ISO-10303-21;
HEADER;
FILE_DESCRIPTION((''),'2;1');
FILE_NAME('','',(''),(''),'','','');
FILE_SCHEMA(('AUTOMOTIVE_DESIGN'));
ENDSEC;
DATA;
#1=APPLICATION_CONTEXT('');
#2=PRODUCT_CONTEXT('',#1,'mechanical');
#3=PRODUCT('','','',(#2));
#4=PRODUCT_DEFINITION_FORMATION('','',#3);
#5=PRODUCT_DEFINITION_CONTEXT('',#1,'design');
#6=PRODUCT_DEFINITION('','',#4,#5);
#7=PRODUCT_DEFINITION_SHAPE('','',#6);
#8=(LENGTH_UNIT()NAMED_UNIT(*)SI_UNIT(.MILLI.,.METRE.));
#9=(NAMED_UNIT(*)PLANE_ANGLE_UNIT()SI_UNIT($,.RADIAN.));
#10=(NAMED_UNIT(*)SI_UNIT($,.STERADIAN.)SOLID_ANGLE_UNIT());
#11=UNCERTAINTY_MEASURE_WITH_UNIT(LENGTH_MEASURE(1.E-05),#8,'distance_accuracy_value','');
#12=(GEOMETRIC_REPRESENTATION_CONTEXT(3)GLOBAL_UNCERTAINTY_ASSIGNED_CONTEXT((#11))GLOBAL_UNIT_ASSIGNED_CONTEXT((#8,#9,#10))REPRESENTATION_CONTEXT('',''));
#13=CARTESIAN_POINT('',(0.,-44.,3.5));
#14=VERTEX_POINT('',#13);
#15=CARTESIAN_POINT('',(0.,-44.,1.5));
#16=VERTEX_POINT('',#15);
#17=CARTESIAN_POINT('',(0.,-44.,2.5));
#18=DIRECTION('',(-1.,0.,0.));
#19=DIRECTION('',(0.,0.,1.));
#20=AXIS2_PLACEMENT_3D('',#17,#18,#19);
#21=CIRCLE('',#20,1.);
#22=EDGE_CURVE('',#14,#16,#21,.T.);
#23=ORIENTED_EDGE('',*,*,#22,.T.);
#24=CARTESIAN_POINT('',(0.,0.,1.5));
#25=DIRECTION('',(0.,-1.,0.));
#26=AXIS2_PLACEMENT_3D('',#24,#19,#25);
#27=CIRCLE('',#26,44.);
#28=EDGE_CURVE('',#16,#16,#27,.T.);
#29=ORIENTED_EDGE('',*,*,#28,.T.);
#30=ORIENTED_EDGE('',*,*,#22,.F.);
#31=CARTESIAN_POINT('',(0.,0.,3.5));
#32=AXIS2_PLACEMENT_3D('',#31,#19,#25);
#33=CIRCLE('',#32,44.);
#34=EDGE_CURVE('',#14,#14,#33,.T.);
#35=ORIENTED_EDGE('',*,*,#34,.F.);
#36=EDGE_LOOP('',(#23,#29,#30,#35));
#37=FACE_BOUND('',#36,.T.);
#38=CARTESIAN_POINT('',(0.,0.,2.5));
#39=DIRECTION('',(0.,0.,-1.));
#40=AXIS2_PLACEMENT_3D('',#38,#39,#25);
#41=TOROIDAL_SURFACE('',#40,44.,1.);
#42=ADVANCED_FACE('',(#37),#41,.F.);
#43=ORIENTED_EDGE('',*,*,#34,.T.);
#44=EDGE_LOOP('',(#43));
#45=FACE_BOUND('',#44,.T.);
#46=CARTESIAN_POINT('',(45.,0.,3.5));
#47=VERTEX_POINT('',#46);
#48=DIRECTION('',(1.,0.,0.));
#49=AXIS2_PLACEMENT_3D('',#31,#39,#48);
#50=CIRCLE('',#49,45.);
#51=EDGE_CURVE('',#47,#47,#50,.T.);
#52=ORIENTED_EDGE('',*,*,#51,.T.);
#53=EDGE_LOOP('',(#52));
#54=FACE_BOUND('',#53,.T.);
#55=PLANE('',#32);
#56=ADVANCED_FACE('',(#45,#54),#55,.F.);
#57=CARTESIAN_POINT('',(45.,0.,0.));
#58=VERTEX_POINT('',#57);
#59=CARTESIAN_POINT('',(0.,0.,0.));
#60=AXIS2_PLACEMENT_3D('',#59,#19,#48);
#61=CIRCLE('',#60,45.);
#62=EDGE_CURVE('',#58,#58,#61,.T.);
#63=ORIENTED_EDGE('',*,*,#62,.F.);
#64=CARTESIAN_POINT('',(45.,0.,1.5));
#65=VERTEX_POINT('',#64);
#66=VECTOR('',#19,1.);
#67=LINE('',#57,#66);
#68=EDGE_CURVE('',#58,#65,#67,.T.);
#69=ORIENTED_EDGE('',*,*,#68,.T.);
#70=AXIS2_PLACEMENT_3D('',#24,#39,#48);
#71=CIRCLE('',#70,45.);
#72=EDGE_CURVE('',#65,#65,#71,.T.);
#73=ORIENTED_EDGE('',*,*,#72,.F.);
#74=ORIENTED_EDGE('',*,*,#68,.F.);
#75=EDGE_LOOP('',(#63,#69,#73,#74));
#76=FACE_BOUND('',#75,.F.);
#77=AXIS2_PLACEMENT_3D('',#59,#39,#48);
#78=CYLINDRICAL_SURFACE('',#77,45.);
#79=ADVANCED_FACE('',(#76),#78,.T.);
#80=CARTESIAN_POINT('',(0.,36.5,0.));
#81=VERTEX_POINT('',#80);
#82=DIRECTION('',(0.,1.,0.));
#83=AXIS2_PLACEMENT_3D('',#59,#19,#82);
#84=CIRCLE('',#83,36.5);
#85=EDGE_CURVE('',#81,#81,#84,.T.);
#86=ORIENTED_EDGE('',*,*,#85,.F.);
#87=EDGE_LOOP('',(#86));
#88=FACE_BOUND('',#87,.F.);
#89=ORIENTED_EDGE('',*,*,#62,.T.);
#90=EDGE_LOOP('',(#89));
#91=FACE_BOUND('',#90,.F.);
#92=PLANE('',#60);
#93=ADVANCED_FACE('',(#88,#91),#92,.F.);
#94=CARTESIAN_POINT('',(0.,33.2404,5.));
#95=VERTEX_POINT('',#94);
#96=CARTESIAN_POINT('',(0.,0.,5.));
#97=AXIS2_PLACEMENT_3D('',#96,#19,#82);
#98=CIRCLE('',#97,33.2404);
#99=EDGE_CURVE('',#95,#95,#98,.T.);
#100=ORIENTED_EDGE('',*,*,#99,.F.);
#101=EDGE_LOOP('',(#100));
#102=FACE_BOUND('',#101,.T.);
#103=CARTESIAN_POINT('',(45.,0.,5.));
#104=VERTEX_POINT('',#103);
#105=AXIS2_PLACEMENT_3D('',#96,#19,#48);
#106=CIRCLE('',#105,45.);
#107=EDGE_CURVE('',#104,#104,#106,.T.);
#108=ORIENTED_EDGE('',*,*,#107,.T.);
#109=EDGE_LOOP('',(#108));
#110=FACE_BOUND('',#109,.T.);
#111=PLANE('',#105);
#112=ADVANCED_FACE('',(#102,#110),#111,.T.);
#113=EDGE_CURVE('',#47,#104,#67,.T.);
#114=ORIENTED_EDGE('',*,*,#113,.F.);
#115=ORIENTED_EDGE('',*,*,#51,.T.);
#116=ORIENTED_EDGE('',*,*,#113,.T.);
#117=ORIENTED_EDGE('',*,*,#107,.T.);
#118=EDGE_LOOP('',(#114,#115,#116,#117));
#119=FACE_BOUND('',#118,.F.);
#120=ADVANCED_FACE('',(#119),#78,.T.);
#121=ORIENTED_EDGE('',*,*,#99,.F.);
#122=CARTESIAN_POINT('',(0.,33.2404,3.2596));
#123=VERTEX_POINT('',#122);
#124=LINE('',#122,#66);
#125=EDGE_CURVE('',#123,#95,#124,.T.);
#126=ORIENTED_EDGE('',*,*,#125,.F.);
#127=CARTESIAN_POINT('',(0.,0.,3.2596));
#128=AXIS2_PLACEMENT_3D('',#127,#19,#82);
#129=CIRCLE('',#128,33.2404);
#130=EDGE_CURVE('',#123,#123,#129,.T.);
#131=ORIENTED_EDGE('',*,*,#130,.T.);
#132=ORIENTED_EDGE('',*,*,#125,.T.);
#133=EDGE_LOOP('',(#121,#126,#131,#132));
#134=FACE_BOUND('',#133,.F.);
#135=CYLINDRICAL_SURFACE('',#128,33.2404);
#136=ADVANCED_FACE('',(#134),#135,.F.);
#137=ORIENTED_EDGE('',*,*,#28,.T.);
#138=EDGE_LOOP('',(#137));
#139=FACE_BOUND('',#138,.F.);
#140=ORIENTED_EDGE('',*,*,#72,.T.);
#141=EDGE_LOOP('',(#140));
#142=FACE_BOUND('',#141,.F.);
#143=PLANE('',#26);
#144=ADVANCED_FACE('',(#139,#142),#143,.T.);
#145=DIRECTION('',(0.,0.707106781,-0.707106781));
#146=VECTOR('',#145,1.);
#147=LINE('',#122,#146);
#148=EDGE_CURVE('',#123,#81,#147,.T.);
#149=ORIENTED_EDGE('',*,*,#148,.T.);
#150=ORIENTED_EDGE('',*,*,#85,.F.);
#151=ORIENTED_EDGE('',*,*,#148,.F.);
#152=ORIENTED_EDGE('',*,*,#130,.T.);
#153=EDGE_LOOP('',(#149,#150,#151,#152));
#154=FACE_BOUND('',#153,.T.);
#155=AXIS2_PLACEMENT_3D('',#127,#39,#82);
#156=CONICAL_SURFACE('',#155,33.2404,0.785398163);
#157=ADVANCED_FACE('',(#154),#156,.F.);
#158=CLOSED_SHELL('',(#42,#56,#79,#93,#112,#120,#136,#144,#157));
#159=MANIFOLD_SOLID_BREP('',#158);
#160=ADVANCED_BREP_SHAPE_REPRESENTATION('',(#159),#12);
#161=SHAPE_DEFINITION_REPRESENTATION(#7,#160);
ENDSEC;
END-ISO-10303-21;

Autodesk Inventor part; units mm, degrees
ref_plane "YZ Plane" through (0, 0, 0) normal (1, 0, 0) x (0, 1, 0)
ref_plane "XZ Plane" through (0, 0, 0) normal (0, 1, 0) x (-1, 0, 0)
ref_plane "XY Plane" through (0, 0, 0) normal (0, 0, 1) x (1, 0, 0)
sketch "Эскиз1" plane through (0, 0, 0) normal (0, 0, 1) x (1, 0, 0)
  circle A0 centre (0, 0) radius 30
  circle A1 centre (0, 0) radius 45
  dimension "d0" = 60
  dimension "d1" = 90
extrude "Выдавливание1" add sketch "Эскиз1" along normal blind 5
sketch "Эскиз2" plane through (0, 0, 0) normal (1, 0, 0) x (0, 1, 0)
  line L0 (-45, 0) -> (-45, 5) projected
  line L1 (0, -0.8) -> (0, 4.8) projected
  line L2 (-45, 0) -> (-45, 5) projected
  line L3 (-45, 2.5) -> (-44, 2.5)
  circle A0 centre (-44, 2.5) radius 1
  line L4 (-44, 3.5) -> (-45, 3.5)
  line L5 (-44, 1.5) -> (-45, 1.5)
  line L6 (-45, 0) -> (-45, 5) projected
  point P0 (0, 0)
  dimension "d6" = 1
  dimension "d7" = 2
revolve "Вращение1" cut sketch "Эскиз2" angle 360 about axis through (0, 0, -10) along (0, 0, 1)
sketch "Эскиз3" plane through (0, 0, 0) normal (1, 0, 0) x (0, 1, 0)
  line L0 (45, 0) -> (-45, 0) projected
  line L1 (0, -4) -> (0, 6.5) projected
  line L2 (33.2404, 3.2596) -> (36.5, 0)
  line L3 (45, 5) -> (-45, 5) projected
  line L4 (33.2404, 3.2596) -> (33.2404, 5)
  line L5 (30, 5) -> (30, 0) projected
  point P0 (0, 0)
  dimension "d13" = 45
revolve "Вращение2" cut sketch "Эскиз3" angle 360 about axis through (0, 0, -10) along (0, 0, 1) contours L0 L5 L3 L4 L2
properties part number "Кольцо сальника 2" material "Сталь, легированная"
